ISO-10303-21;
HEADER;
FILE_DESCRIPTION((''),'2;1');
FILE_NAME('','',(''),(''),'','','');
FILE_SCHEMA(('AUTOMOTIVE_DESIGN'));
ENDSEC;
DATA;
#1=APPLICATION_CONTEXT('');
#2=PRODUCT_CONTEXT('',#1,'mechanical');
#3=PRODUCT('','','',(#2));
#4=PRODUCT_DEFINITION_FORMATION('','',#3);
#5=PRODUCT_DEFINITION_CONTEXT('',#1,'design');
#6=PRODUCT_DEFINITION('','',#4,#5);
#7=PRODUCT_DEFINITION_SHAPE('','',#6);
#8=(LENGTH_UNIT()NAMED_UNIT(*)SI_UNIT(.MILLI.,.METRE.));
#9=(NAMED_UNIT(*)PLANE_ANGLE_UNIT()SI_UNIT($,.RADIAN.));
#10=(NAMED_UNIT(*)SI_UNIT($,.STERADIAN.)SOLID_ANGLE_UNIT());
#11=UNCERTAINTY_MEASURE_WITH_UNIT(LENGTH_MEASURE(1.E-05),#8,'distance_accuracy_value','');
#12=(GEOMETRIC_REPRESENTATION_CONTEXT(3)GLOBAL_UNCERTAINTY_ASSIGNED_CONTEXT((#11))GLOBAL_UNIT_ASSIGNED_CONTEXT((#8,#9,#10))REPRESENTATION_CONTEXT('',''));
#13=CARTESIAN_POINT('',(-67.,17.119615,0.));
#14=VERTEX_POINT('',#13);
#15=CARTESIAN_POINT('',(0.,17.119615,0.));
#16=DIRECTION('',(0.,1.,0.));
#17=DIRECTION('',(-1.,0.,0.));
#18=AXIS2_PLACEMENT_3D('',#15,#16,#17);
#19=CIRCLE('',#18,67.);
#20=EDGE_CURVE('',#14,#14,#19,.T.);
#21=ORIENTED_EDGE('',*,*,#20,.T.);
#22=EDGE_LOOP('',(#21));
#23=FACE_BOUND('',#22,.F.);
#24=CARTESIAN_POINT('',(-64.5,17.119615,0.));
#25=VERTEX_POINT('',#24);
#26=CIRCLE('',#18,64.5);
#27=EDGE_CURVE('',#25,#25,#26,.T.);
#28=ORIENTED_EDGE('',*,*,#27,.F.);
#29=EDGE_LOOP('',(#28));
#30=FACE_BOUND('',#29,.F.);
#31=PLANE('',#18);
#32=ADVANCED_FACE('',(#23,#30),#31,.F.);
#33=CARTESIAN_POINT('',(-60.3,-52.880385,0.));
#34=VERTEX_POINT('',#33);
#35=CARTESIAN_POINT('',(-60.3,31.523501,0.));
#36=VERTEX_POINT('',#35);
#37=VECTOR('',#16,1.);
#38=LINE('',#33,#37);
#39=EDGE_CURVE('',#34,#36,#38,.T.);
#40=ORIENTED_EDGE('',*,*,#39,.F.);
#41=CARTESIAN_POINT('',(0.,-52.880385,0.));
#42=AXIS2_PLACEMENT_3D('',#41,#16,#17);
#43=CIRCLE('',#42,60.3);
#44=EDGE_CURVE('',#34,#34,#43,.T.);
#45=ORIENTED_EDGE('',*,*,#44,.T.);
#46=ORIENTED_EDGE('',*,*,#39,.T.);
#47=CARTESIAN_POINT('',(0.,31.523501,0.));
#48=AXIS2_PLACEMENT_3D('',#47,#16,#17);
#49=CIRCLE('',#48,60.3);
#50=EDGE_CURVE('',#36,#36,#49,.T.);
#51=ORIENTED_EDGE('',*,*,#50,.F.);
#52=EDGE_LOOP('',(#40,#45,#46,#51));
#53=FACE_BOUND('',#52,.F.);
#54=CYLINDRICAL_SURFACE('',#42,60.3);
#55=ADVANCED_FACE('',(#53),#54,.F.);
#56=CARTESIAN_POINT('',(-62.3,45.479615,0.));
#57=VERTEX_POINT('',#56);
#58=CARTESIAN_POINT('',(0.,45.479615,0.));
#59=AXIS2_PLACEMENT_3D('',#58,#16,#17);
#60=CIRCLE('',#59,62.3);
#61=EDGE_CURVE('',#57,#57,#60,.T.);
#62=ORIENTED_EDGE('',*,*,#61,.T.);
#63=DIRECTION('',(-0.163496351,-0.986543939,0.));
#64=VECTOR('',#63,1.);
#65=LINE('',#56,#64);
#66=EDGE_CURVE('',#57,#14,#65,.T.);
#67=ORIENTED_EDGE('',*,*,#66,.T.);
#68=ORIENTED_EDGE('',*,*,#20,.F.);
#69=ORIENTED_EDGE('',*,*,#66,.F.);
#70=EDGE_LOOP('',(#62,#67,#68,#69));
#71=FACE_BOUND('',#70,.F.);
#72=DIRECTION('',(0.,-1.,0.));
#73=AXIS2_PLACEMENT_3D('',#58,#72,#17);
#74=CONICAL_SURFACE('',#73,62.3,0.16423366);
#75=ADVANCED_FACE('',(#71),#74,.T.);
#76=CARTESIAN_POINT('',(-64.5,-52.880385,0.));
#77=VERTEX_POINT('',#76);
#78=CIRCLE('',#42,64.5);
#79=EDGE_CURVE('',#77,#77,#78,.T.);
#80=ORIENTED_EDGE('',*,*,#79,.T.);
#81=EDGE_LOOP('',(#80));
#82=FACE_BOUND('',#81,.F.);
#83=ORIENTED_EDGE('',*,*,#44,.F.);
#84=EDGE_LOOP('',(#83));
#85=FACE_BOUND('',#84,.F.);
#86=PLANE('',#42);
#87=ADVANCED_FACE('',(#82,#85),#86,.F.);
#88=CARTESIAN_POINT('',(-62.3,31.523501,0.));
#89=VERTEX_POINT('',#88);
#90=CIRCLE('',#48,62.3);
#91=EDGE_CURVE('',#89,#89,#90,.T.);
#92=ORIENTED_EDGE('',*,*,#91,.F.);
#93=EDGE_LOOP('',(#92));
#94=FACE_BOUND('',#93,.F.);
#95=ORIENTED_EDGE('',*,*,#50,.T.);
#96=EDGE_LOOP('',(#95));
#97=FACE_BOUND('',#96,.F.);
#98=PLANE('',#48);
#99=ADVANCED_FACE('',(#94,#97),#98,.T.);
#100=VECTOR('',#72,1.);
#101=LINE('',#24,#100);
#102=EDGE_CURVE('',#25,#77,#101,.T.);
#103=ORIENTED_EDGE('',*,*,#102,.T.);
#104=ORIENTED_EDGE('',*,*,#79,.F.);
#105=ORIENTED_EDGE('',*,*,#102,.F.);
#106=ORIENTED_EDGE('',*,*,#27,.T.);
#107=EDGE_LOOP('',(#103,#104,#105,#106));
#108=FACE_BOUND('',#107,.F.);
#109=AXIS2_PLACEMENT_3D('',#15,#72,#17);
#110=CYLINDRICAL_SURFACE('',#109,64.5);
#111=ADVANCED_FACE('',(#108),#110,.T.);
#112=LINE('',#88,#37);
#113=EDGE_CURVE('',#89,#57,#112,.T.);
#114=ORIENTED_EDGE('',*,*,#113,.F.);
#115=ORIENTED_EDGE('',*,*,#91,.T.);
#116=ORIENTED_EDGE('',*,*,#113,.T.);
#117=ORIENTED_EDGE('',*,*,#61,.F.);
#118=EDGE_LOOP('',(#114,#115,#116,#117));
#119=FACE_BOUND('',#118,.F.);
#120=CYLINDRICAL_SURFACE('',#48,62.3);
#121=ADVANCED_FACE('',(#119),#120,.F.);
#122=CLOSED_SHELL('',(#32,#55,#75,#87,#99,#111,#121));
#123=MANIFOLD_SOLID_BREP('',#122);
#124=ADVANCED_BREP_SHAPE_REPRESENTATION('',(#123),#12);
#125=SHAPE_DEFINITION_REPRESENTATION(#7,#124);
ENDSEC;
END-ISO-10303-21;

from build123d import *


with BuildPart() as part:
    # Sketch → Revolution (revolve)
    with BuildSketch(Plane.XY):
        Polygon((-60.3, 31.523501), (-62.3, 31.523501), (-62.3, 45.479615), (-67, 17.119615), (-64.5, 17.119615), (-64.5, -52.880385), (-60.3, -52.880385), align=None)
    revolve(axis=Axis((0, 0, 0), (0, 1, 0)))


solid = part.part
